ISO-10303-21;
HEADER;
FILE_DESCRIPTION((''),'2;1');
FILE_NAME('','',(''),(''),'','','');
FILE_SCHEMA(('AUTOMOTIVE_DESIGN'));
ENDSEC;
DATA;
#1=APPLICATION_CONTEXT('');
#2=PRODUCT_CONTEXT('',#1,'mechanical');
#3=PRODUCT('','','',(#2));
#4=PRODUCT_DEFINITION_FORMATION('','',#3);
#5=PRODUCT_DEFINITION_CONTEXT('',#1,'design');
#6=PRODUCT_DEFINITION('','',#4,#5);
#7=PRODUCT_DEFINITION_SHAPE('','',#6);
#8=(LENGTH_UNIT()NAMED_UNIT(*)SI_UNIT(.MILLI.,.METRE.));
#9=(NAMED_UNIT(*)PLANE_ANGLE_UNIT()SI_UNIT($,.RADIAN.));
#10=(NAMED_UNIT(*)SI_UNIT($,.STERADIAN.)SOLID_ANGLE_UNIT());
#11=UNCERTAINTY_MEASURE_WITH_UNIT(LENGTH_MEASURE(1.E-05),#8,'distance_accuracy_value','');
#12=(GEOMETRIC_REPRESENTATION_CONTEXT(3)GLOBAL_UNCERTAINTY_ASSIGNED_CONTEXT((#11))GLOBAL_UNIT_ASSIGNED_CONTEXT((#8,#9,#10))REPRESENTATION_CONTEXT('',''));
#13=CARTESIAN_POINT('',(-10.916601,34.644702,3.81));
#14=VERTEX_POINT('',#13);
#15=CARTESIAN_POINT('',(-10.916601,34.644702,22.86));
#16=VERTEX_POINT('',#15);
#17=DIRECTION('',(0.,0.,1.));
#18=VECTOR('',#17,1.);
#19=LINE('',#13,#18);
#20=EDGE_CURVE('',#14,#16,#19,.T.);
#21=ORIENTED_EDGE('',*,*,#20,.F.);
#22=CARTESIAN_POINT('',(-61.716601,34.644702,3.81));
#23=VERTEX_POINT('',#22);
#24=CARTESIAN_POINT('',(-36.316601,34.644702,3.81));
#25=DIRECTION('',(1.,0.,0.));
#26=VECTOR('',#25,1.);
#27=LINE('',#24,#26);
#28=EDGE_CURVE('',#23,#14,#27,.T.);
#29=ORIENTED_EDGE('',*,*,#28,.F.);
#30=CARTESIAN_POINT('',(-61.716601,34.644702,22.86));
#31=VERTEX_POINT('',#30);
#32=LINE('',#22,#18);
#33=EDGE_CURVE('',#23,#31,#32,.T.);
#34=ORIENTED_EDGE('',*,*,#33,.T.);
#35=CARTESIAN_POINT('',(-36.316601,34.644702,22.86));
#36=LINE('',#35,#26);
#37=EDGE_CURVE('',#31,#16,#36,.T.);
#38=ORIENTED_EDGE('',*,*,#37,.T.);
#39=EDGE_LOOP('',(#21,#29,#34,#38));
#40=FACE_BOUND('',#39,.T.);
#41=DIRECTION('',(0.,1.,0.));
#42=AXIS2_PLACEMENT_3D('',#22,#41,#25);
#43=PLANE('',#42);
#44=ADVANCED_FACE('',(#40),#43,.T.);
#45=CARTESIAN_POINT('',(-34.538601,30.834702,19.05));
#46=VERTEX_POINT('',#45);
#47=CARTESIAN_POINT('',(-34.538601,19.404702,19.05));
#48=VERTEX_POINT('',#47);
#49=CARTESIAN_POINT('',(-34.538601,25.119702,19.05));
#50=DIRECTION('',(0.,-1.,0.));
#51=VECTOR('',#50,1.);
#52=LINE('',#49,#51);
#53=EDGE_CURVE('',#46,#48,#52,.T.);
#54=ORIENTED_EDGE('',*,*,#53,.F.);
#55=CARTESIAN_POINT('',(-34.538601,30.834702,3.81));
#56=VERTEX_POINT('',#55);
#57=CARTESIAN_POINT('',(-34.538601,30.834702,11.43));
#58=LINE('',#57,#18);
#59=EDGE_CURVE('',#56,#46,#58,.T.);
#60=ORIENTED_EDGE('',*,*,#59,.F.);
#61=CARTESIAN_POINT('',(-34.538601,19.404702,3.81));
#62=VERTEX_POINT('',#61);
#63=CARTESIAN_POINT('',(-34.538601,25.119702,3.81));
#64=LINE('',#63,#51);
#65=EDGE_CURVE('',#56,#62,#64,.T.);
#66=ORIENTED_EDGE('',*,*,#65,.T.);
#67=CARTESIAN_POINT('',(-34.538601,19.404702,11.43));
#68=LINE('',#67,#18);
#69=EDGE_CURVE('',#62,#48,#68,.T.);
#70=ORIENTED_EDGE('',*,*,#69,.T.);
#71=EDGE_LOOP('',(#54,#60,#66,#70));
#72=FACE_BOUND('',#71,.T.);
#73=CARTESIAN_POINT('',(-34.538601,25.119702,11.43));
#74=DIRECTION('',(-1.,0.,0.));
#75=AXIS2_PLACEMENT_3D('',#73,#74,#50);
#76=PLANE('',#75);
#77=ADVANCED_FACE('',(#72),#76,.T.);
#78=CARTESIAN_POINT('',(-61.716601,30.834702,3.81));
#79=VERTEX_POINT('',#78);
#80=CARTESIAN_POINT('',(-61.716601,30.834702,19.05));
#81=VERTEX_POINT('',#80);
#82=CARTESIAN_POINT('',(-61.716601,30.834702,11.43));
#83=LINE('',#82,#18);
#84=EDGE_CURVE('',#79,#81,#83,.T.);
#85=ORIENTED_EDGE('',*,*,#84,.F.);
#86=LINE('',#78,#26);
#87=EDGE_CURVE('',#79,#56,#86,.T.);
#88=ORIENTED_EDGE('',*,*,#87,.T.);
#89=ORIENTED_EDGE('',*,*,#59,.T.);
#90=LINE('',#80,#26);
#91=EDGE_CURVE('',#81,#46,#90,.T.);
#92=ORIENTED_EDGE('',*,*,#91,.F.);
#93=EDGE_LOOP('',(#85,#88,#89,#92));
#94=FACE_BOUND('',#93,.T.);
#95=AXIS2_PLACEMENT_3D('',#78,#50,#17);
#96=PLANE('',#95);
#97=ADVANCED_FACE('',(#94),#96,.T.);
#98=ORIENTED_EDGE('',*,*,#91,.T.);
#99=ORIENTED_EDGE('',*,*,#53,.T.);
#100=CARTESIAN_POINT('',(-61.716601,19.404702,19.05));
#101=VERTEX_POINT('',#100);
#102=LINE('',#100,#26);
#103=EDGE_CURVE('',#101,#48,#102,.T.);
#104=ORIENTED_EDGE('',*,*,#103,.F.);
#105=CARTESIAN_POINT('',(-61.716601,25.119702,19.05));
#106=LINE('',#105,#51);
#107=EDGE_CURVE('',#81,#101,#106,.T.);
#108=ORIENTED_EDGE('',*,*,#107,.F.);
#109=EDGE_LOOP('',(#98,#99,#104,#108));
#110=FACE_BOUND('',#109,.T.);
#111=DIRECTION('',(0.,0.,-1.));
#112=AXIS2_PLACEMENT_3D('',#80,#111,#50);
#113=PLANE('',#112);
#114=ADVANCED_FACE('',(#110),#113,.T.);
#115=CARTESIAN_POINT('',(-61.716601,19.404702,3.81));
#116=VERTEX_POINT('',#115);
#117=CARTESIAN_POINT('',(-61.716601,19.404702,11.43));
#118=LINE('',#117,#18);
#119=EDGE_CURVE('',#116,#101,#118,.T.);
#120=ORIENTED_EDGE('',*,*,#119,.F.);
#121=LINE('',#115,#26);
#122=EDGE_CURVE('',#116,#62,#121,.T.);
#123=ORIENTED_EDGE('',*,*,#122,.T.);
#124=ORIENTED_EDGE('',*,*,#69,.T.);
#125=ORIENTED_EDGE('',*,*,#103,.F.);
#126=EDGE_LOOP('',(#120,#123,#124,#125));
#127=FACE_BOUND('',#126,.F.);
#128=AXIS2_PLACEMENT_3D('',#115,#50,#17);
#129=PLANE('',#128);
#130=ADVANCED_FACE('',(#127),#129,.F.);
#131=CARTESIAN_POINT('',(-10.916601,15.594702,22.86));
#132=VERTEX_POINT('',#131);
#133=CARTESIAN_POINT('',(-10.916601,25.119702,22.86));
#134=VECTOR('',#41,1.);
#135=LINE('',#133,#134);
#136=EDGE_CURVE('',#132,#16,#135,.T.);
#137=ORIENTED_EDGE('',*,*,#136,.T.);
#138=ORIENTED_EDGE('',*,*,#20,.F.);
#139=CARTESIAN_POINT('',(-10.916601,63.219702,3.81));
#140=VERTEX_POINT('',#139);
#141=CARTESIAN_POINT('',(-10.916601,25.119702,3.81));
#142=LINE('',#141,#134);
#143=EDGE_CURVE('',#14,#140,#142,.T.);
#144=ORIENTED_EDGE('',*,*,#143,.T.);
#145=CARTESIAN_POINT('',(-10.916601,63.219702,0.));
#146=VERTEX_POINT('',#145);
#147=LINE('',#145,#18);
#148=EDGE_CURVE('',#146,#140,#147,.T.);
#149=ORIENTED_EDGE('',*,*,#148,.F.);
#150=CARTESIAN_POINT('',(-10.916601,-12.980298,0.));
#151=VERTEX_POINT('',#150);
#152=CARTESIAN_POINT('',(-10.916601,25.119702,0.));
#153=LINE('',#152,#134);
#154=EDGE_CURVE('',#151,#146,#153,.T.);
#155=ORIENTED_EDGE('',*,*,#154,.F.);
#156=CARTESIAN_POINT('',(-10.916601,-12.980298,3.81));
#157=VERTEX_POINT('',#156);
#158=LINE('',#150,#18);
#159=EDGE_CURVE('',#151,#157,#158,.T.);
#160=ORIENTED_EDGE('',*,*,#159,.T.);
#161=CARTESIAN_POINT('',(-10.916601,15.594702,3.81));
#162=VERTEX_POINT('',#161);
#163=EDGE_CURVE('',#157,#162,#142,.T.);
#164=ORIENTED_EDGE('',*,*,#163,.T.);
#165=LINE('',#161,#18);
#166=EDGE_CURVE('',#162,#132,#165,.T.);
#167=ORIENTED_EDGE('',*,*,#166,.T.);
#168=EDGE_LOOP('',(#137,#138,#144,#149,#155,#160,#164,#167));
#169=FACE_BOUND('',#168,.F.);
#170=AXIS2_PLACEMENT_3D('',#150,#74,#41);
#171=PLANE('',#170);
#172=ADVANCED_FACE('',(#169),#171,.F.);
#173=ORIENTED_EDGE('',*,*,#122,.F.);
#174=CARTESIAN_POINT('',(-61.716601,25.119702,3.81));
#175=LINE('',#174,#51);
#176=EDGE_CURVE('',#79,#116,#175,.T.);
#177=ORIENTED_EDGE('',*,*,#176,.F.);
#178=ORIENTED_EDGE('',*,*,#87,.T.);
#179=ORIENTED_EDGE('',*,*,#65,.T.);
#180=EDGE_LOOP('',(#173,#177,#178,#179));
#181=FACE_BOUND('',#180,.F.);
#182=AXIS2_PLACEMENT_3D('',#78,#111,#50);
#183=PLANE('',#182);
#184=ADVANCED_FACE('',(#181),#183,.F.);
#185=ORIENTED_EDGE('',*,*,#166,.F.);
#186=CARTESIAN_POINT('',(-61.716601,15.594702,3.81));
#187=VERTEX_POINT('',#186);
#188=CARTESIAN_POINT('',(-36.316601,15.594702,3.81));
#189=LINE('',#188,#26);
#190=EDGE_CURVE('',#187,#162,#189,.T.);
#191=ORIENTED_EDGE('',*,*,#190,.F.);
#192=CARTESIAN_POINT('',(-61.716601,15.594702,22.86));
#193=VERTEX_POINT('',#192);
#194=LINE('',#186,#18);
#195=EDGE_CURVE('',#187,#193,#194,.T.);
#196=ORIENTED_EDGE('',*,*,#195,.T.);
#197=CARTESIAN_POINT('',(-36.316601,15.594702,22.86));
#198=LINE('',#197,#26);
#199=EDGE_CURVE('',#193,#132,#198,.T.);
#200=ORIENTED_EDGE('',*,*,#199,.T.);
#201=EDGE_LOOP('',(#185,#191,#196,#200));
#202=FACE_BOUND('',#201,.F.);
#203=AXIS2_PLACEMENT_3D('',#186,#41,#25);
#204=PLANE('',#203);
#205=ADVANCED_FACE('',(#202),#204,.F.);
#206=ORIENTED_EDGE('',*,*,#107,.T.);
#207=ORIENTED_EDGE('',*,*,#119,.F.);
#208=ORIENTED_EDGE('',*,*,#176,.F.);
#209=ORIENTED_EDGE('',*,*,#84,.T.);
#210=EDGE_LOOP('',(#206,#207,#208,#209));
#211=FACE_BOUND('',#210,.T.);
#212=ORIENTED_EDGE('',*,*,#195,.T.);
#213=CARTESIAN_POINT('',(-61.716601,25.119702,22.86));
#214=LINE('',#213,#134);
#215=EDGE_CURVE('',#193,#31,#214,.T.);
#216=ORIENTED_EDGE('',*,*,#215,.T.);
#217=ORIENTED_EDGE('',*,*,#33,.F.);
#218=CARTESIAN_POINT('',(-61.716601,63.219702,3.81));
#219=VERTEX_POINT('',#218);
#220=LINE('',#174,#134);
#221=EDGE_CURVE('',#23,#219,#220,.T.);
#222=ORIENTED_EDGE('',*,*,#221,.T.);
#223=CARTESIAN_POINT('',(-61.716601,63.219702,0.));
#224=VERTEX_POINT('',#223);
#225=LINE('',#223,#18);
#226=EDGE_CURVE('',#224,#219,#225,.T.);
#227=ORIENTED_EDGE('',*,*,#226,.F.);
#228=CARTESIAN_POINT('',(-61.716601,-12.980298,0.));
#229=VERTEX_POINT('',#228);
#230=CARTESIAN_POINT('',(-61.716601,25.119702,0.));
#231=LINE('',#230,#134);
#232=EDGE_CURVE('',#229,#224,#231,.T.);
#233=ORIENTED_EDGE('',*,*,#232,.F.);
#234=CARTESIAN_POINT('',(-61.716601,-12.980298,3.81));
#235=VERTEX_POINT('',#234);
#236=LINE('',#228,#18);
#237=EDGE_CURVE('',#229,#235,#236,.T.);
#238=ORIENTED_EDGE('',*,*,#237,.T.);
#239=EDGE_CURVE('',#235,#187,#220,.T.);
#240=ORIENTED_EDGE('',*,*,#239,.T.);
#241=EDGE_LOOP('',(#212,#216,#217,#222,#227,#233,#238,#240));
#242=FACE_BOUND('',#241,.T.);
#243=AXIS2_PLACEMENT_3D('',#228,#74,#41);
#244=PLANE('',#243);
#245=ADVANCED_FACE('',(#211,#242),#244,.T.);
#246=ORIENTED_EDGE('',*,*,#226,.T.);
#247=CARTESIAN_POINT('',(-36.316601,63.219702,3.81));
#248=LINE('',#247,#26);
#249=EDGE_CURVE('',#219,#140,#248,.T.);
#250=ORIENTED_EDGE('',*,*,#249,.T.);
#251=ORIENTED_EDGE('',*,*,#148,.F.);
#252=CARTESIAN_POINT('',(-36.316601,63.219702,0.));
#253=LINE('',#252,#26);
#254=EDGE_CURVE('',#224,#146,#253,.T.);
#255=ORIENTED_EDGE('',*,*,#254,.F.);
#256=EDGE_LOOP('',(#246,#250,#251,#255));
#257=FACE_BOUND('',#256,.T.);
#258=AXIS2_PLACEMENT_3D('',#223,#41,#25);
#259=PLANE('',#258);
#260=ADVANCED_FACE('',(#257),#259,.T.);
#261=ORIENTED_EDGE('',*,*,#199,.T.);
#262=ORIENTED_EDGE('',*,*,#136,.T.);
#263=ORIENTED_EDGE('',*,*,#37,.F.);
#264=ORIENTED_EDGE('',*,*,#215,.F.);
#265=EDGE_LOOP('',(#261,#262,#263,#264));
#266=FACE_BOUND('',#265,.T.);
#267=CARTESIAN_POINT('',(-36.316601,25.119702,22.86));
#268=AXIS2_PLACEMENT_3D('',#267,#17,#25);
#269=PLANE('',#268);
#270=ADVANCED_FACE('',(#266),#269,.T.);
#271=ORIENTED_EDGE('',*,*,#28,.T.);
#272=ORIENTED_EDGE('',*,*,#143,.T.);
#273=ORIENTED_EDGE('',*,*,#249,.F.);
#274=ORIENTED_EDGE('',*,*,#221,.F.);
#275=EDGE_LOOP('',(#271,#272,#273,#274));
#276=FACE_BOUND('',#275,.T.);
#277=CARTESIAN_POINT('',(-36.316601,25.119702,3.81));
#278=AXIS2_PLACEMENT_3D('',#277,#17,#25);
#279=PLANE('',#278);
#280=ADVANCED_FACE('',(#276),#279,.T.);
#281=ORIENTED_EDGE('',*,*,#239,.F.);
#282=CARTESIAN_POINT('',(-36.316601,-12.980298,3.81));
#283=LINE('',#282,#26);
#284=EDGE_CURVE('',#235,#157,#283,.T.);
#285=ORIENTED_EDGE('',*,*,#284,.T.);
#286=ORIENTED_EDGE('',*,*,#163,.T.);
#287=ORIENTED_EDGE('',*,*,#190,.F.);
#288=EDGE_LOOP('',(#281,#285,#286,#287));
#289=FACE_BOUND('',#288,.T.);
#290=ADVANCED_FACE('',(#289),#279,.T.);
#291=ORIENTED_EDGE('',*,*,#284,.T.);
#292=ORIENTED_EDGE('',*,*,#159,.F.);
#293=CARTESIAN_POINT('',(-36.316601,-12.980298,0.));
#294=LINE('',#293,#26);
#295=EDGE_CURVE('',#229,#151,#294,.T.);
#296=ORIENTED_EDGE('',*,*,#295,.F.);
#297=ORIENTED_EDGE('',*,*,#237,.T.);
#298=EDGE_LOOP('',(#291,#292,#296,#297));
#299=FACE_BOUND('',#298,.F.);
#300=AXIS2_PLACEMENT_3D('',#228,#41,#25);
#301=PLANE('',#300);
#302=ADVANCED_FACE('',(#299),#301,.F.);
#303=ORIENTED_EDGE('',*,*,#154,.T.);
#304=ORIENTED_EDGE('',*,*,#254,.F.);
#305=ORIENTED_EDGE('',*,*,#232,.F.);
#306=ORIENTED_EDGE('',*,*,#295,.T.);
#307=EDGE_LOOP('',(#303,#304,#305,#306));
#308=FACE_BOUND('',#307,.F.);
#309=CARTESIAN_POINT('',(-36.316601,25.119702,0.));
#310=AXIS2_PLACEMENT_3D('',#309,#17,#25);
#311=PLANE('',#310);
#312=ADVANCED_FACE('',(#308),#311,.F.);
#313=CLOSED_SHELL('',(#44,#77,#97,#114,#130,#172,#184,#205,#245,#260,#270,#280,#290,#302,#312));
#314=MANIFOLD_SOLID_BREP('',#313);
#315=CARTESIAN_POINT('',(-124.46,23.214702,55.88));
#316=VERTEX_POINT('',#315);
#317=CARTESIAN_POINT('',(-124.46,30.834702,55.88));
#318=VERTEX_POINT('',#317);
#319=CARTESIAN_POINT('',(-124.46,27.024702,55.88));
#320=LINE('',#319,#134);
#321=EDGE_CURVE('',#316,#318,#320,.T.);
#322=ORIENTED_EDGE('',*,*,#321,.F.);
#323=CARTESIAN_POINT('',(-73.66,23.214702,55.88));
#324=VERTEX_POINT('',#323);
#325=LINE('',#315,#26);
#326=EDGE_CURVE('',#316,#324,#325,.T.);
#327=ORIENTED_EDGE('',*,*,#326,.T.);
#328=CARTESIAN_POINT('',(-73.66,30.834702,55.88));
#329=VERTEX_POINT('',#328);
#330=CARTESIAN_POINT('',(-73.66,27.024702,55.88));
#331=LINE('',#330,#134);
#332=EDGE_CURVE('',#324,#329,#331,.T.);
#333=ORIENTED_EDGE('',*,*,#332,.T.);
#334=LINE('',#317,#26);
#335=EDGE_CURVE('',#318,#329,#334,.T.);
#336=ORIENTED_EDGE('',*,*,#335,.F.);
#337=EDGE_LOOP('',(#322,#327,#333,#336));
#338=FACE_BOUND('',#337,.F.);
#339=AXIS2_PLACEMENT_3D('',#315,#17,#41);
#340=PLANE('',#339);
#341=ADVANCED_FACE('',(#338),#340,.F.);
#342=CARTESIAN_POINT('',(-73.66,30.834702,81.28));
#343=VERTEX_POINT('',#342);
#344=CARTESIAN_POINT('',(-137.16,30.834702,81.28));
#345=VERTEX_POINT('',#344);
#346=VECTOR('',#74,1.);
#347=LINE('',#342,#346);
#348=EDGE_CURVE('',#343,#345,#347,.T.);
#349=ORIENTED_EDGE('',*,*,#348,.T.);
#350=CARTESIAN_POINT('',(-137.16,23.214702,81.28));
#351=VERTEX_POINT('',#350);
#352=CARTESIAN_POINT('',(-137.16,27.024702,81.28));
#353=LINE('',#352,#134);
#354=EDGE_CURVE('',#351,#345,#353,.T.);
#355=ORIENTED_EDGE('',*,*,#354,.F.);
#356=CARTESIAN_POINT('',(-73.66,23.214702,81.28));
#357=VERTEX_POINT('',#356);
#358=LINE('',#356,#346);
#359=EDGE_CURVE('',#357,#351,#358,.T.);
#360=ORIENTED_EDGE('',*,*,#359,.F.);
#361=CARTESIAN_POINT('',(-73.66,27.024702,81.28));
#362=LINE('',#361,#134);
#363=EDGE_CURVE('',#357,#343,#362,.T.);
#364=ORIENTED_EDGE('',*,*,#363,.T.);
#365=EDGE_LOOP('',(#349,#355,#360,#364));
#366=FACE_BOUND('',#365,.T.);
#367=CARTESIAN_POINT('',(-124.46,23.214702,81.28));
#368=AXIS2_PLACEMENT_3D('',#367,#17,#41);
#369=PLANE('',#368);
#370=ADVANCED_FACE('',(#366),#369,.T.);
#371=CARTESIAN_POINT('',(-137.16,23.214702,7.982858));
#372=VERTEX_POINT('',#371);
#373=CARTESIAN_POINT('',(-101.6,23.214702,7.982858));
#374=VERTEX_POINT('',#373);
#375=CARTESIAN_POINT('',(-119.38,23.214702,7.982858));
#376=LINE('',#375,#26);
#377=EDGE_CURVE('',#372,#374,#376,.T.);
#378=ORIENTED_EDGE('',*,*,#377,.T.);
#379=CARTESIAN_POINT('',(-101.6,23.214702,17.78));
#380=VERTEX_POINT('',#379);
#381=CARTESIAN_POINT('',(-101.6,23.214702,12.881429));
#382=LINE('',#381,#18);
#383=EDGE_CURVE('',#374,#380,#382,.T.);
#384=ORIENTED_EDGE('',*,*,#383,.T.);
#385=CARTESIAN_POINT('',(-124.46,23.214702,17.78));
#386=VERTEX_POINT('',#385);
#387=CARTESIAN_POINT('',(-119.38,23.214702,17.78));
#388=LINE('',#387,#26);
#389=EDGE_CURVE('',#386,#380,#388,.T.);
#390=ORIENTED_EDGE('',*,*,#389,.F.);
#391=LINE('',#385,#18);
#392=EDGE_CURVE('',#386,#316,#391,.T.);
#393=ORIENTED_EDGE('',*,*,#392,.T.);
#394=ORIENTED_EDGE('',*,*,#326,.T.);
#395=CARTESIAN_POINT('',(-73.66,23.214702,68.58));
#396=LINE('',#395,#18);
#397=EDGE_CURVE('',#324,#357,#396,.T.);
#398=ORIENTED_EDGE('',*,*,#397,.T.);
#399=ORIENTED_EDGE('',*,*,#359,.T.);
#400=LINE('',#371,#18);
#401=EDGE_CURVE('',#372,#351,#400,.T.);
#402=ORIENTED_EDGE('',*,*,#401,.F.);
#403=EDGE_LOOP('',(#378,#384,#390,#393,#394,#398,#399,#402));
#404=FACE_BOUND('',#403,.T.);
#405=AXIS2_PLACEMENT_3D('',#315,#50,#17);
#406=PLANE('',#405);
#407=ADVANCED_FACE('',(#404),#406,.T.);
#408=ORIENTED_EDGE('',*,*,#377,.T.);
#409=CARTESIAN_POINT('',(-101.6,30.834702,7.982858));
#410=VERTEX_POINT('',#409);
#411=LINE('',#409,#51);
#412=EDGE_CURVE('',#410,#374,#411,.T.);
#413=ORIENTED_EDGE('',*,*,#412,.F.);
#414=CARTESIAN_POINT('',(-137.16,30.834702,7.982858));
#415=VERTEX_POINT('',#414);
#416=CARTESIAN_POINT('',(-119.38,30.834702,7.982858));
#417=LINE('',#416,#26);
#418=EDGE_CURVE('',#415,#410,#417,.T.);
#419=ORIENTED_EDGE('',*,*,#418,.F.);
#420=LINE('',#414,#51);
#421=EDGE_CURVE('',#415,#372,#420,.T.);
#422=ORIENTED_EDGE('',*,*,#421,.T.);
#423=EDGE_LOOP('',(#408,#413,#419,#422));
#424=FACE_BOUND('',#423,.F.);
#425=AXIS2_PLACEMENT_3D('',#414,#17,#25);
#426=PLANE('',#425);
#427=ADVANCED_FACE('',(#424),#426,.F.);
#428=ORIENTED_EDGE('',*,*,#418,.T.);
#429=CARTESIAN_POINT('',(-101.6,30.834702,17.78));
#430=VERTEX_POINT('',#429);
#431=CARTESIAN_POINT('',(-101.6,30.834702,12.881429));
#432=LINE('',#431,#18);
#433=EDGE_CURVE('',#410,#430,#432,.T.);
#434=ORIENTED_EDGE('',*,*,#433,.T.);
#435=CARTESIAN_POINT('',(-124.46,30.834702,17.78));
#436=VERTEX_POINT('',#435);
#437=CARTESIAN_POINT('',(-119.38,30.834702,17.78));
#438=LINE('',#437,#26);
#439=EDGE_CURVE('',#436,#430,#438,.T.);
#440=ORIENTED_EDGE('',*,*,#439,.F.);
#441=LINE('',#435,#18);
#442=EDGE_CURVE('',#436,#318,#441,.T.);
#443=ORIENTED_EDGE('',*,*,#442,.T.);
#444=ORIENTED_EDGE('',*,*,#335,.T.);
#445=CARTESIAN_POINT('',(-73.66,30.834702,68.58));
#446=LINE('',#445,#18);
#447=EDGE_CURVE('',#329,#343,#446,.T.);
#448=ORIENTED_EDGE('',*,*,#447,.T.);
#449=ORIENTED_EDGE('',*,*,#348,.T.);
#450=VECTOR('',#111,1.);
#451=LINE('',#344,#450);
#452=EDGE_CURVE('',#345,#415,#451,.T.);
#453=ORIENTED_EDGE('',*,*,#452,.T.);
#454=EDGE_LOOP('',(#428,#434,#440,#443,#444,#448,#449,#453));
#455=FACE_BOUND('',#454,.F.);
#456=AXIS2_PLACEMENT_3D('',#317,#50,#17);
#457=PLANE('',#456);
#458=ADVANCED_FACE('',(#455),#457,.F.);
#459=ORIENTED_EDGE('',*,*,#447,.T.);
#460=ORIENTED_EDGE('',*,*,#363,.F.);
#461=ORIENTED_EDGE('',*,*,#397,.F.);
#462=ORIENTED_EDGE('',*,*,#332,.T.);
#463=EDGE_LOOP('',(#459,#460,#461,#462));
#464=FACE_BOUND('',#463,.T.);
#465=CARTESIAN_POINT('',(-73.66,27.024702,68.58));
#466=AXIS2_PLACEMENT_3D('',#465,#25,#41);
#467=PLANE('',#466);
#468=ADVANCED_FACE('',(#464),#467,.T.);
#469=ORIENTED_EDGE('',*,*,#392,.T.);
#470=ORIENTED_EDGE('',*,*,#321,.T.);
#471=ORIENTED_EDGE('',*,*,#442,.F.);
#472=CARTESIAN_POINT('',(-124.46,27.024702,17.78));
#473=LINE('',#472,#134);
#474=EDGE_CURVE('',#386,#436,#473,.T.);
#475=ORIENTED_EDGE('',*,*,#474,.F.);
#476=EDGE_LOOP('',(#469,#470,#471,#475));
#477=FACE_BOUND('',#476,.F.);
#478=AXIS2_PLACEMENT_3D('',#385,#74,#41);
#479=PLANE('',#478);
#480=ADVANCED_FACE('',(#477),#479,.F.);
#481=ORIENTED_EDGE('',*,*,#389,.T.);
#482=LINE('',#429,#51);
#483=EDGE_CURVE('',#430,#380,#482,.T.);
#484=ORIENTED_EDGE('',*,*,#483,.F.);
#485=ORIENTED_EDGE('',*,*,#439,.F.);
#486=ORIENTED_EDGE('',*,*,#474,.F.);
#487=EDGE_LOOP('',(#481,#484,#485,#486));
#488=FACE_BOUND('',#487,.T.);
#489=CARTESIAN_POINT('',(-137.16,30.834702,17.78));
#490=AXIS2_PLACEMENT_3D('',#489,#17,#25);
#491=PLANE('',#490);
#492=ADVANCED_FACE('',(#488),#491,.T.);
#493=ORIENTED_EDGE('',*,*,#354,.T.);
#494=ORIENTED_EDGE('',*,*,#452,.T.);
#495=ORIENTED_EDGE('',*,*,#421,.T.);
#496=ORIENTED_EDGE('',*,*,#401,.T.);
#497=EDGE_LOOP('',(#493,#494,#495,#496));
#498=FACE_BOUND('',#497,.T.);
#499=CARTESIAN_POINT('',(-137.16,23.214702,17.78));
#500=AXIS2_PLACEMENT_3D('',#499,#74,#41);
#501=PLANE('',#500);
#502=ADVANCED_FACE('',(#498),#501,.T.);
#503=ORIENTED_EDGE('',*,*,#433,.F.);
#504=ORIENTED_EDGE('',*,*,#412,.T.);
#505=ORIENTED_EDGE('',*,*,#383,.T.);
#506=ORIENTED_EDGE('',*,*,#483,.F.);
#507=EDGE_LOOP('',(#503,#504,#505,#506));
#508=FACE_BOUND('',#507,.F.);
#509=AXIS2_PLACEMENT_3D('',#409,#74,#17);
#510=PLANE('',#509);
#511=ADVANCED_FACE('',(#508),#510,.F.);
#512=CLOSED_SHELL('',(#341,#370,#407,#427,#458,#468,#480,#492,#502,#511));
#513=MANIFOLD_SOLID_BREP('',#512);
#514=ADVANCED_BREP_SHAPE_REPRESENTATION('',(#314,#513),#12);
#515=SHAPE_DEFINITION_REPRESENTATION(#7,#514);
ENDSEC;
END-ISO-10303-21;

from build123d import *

# Parameters (mm, degrees)
F0_W      = 50.8
F0_H      = 76.2
F1_DEPTH  = 3.81
F2_W      = 50.8
F2_H      = 19.05
F3_DEPTH  = 19.05
F4_W      = 11.43
F4_H      = 15.24
F5_DEPTH  = 27.178
F6_W      = 35.56
F6_H      = 9.7971428186
F7_DEPTH  = 7.62
F8_W      = 12.7
F8_H      = 7.62
F9_DEPTH  = 63.5
F10_W     = 7.62
F10_H     = 25.4
F11_DEPTH = 50.8


with BuildPart() as f1:
    # F0 (on Top) → F1 (new body)
    with BuildSketch(Plane.XY):
        with Locations((-36.3166012526, 25.1197018608)):
            Rectangle(F0_W, F0_H)
    extrude(amount=F1_DEPTH)

    # F2 (on face) → F3 (join)
    with BuildSketch(Plane.XY.offset(3.81)):
        with Locations((-36.3166012526, 25.1197018608)):
            Rectangle(F2_W, F2_H)
    extrude(amount=F3_DEPTH)

    # F4 (on face) → F5 (cut)
    with BuildSketch(Plane(origin=(-61.7166012526, 0, 0), x_dir=(0, -1, 0), z_dir=(-1, 0, 0))):
        with Locations((-25.1197018608, 11.43)):
            Rectangle(F4_W, F4_H)
    extrude(amount=-F5_DEPTH, mode=Mode.SUBTRACT)


with BuildPart() as f7:
    # F6 (on face) → F7 (new body)
    with BuildSketch(Plane.XZ.offset(-30.8347018608)):
        with Locations((-119.38, 12.8814289346)):
            Rectangle(F6_W, F6_H)
    extrude(amount=F7_DEPTH)

    # F8 (on face) → F9 (join)
    with BuildSketch(Plane.XY.offset(17.7800003439)):
        with Locations((-130.81, 27.0247018608)):
            Rectangle(F8_W, F8_H)
    extrude(amount=F9_DEPTH)

    # F10 (on face) → F11 (join)
    with BuildSketch(Plane.YZ.offset(-124.46)):
        with Locations((27.0247018608, 68.5800003439)):
            Rectangle(F10_W, F10_H)
    extrude(amount=F11_DEPTH)


solid = Compound([f1.part, f7.part])
